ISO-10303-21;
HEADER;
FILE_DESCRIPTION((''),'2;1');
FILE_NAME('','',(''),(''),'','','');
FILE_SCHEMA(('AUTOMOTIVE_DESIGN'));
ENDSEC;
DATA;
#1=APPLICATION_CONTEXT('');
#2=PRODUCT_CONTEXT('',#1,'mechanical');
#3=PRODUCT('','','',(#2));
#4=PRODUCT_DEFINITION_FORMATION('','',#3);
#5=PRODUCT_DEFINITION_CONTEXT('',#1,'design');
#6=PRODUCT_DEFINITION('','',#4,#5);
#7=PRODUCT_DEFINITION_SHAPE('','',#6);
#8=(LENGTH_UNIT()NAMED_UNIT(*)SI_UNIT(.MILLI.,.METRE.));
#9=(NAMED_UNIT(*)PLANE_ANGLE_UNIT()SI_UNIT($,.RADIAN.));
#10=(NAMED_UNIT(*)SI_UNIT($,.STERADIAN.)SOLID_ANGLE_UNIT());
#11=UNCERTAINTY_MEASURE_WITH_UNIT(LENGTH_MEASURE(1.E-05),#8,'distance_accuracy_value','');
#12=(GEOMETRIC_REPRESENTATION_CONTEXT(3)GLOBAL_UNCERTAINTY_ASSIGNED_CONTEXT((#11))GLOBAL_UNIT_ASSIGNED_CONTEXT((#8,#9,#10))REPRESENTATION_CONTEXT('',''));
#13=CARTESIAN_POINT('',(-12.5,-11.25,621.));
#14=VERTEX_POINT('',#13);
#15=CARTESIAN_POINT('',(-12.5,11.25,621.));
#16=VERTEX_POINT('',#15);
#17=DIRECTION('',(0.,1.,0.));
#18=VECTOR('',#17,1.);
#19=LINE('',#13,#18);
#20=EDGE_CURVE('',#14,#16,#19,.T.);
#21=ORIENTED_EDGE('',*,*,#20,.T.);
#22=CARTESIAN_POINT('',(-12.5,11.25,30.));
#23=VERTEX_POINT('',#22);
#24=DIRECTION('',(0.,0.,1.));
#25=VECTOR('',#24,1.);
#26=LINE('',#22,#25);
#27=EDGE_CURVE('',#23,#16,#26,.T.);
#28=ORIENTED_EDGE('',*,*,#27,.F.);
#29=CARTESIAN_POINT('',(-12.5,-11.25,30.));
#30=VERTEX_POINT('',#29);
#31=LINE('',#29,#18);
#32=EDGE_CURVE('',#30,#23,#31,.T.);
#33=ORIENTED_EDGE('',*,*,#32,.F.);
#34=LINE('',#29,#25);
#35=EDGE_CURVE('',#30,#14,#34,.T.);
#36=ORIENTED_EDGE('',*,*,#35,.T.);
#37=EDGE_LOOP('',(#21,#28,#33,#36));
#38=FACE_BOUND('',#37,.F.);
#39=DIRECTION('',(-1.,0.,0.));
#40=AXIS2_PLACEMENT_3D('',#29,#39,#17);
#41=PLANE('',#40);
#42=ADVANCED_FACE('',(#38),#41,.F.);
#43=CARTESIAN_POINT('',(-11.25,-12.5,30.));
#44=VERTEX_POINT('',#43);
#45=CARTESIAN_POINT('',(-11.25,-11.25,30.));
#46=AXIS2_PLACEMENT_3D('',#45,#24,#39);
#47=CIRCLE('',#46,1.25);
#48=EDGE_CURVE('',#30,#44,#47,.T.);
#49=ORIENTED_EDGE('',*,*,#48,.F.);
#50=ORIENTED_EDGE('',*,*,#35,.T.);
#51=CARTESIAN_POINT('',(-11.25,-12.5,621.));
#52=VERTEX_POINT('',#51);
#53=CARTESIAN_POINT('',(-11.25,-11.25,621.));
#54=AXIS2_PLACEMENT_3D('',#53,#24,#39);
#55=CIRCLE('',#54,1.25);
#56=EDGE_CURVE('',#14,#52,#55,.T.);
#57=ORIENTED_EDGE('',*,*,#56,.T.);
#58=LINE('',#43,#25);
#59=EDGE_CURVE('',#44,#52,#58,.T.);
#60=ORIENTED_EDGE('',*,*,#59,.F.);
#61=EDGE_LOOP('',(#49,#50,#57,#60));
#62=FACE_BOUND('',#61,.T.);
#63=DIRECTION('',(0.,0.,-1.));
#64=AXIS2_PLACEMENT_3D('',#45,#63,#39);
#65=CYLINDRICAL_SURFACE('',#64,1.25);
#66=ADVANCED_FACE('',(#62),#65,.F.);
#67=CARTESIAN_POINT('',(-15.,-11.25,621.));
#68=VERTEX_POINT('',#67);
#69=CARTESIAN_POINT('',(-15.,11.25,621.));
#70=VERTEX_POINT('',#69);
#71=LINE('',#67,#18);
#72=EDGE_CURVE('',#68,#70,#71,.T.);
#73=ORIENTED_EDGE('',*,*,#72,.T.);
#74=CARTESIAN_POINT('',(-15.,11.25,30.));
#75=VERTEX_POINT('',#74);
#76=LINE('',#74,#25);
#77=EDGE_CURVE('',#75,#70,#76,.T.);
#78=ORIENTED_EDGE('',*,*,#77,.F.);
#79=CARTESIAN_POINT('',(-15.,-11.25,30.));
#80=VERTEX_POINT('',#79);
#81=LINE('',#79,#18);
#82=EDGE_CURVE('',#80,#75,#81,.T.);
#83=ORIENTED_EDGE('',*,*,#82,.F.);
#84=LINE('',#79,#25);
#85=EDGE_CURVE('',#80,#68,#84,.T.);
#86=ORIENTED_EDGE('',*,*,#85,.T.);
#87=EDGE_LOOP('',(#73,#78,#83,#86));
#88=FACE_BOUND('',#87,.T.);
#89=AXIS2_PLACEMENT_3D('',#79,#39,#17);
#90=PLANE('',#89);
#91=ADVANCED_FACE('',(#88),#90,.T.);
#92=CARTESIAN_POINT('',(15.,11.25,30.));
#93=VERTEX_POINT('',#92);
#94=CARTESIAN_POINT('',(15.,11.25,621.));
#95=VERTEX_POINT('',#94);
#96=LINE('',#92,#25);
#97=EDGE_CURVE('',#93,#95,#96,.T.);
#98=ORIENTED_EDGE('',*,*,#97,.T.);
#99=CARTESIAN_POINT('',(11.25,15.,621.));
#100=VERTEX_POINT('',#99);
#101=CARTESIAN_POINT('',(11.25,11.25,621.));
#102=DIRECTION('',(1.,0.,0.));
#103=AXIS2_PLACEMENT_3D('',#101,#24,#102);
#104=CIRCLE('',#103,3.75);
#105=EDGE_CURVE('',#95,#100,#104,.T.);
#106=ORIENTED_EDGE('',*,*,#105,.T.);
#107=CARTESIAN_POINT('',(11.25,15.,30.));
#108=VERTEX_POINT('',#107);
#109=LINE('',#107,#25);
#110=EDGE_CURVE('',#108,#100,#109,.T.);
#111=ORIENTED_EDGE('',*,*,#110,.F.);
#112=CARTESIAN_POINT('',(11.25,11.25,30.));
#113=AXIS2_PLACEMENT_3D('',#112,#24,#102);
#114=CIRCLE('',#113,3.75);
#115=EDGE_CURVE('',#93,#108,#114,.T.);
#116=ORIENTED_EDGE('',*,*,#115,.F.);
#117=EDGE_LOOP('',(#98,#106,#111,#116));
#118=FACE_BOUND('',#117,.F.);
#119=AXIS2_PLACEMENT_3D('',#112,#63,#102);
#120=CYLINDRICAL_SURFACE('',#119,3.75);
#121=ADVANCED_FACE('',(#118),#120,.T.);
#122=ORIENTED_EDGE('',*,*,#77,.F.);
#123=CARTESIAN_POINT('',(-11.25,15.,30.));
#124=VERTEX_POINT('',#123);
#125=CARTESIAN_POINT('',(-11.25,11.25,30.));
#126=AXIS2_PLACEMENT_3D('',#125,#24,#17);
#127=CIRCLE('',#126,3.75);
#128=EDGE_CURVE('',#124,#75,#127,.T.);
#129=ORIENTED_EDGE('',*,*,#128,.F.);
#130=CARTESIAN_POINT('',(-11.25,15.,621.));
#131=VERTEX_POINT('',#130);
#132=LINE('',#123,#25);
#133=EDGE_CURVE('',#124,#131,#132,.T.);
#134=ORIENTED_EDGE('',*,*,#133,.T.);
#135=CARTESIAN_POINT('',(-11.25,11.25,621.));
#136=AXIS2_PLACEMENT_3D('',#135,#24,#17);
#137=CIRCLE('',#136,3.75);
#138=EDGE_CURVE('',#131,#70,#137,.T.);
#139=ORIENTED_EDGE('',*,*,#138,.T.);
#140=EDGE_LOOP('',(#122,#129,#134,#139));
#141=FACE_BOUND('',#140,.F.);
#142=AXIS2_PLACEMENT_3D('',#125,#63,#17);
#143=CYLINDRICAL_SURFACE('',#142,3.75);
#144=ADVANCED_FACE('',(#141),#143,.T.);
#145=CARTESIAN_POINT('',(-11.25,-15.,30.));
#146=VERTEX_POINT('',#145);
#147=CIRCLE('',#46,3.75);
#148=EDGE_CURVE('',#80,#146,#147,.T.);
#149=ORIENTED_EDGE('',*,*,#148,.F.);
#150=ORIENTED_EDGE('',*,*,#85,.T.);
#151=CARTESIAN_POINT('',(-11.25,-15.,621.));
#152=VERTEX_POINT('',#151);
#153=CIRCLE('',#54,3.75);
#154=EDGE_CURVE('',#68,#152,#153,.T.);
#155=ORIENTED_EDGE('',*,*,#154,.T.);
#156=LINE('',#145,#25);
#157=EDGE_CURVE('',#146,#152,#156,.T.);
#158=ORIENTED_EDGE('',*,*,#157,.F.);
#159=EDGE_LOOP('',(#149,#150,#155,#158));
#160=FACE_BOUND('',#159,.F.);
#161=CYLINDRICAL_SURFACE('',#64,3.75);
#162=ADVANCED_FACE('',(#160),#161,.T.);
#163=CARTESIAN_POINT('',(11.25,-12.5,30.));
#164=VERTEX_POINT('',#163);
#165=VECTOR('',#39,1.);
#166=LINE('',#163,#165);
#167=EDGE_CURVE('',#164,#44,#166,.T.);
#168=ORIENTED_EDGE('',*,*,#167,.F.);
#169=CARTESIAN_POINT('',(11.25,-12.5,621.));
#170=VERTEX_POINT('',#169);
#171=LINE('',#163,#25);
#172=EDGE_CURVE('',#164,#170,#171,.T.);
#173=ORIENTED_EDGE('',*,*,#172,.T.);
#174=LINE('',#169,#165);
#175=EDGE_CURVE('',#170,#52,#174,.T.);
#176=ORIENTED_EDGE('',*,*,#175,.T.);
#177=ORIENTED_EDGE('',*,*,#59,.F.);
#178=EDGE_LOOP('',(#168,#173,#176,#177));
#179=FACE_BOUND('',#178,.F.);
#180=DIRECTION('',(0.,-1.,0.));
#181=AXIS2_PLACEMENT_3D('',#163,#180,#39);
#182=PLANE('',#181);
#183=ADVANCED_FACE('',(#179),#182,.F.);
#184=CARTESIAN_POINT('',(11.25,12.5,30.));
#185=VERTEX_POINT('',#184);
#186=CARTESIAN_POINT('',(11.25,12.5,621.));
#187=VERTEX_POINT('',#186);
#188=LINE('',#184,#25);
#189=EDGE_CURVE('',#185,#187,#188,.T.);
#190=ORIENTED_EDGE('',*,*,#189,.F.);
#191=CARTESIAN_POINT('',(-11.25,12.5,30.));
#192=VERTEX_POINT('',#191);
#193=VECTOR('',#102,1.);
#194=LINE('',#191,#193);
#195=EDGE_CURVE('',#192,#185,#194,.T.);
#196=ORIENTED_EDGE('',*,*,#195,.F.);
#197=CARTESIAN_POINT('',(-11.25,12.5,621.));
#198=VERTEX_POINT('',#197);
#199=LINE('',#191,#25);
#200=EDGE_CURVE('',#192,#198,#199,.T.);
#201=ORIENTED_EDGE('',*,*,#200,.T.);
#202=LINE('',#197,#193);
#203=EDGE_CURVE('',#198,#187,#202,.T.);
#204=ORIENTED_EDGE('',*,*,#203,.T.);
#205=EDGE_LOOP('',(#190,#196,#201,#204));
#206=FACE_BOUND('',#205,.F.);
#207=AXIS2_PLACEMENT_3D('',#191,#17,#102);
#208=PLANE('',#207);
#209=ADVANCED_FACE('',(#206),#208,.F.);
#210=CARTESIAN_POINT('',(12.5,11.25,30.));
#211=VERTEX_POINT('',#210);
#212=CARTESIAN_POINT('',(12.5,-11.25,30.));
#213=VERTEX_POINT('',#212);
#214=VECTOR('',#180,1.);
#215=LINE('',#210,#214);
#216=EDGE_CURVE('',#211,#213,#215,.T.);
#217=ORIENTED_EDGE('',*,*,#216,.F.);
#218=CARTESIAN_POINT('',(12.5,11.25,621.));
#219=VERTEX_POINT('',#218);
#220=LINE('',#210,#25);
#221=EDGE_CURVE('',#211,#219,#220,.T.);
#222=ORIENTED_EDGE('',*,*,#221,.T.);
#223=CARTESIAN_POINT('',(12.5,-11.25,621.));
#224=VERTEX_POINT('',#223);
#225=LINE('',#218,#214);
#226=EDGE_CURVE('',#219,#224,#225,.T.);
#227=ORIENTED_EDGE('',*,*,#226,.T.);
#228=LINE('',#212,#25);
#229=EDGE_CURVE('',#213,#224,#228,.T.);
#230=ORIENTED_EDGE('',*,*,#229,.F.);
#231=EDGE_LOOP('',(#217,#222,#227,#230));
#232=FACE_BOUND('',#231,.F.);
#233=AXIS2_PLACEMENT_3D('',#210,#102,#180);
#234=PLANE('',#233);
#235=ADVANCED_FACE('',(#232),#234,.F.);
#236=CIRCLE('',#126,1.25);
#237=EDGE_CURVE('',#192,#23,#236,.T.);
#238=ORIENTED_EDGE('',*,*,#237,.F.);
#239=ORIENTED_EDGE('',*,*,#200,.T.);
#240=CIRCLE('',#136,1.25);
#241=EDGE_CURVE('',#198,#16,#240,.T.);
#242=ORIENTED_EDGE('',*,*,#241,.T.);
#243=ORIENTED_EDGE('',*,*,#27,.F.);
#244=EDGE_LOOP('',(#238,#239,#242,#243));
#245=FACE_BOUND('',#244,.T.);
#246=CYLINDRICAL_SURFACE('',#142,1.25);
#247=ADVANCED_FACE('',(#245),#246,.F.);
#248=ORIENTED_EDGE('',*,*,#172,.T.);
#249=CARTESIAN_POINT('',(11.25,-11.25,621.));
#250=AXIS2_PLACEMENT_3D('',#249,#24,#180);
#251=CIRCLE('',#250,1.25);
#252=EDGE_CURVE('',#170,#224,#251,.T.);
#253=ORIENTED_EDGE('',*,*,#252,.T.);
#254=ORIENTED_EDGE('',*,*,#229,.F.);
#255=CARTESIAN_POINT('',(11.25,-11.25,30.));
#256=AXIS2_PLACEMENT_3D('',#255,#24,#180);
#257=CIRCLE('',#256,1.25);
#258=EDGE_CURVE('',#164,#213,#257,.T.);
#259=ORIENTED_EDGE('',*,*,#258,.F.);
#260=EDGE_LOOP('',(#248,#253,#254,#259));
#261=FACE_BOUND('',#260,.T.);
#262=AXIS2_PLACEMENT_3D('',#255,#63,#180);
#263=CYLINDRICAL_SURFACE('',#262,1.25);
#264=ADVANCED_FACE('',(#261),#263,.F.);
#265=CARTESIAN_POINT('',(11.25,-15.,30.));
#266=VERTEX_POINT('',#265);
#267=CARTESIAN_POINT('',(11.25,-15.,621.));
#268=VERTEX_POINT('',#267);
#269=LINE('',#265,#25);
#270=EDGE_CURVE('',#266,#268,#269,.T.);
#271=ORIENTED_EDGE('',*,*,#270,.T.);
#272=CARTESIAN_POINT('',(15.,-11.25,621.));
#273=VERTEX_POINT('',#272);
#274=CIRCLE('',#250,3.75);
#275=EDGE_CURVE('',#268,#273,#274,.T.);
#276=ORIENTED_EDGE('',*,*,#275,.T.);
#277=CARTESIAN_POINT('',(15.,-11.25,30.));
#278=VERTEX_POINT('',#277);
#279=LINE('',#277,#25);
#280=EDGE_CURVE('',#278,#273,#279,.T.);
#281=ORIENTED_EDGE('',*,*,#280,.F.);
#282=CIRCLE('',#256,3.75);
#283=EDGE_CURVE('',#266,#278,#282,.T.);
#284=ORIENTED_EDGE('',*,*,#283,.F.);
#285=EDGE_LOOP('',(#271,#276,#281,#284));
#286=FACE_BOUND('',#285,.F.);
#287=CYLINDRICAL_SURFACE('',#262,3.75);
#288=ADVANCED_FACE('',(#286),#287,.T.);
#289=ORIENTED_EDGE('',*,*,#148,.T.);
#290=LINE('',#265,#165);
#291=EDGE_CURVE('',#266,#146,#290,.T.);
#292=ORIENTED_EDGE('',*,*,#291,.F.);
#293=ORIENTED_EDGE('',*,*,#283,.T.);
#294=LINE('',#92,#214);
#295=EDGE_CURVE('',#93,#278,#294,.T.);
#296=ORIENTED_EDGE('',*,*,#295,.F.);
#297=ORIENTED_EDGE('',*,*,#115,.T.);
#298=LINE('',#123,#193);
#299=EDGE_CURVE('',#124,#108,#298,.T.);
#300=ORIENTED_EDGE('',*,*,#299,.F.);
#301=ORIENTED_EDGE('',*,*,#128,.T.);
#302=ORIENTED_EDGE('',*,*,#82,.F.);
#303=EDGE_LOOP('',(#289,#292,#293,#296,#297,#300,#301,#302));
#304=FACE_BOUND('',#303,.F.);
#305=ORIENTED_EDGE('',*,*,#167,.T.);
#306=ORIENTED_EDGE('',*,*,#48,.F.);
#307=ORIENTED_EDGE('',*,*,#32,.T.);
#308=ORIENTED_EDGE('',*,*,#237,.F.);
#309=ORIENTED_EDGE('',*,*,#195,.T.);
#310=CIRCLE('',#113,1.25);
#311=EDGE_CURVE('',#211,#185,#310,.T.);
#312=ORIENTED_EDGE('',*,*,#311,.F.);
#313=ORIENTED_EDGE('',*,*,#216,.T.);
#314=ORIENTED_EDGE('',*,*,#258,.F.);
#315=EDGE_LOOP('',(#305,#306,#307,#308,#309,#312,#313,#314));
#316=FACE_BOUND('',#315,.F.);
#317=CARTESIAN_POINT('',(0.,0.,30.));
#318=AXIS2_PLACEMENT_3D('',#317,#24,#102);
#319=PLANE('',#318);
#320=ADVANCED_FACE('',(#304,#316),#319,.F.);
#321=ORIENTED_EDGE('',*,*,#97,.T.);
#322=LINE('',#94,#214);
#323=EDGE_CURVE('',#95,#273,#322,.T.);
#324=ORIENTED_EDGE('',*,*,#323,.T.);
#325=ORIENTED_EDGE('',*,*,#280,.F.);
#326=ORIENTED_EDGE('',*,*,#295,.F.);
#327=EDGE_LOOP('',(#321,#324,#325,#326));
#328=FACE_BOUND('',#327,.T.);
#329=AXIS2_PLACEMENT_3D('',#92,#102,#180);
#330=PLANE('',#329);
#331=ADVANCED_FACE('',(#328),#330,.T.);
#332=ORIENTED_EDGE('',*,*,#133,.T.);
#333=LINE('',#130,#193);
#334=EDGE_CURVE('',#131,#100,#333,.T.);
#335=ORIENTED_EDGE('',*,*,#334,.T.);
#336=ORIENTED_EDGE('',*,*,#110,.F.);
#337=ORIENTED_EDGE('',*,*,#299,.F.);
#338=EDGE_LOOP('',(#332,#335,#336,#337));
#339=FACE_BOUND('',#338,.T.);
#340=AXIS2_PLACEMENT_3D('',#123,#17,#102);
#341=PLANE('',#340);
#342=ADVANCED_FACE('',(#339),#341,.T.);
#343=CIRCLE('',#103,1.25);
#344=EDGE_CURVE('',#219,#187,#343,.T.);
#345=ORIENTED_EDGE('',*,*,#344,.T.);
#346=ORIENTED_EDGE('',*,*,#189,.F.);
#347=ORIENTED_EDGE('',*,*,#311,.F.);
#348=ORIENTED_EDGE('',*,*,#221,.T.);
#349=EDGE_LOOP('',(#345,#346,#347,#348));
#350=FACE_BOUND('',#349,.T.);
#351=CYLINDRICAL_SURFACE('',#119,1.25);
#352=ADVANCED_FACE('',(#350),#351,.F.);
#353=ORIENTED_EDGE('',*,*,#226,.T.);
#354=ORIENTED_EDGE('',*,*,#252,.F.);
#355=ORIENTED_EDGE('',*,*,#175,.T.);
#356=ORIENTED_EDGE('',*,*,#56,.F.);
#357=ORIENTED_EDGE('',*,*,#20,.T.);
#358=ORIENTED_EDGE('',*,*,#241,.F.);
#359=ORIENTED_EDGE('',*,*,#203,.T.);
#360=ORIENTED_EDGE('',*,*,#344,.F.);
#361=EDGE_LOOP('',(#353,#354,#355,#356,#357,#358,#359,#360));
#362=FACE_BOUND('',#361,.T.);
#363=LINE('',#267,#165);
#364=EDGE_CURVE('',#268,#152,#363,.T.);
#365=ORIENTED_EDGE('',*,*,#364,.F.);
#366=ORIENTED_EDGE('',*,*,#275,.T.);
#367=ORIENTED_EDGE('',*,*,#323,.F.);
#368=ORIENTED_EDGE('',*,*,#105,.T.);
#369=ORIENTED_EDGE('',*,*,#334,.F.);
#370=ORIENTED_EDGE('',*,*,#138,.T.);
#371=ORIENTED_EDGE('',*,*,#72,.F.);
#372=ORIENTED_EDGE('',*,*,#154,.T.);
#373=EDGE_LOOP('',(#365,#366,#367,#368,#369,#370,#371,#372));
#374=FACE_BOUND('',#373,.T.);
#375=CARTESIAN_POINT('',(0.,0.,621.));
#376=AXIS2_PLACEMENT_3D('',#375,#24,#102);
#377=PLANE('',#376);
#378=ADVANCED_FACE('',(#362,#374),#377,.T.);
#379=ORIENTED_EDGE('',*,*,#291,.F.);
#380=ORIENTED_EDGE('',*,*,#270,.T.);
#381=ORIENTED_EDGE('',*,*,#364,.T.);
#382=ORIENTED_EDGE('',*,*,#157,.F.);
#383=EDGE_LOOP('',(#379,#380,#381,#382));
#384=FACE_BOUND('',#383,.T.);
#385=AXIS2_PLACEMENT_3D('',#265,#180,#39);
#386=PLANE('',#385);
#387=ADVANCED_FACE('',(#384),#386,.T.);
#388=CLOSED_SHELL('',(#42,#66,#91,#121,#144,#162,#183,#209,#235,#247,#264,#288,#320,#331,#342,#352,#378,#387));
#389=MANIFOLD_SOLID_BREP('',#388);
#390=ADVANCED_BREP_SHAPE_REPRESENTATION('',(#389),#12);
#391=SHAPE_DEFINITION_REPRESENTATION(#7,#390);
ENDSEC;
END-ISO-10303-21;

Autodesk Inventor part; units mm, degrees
ref_plane "Start plane" through (0, 0, 30) normal (0, 0, 1) x (1, 0, 0)
ref_plane "End plane" through (0, 0, 621) normal (0, 0, 1) x (1, 0, 0)
sketch "Sketch" plane through (0, 0, 0) normal (0, 0, 1) x (1, 0, 0)
  line L0 (-15, -11.25) -> (-15, 11.25)
  line L1 (-11.25, 15) -> (11.25, 15)
  line L2 (15, 11.25) -> (15, -11.25)
  line L3 (11.25, -15) -> (-11.25, -15)
  arc A0 (-15, -11.25) -> (-11.25, -15) centre (-11.25, -11.25) ccw
  arc A1 (-11.25, 15) -> (-15, 11.25) centre (-11.25, 11.25) ccw
  arc A2 (15, 11.25) -> (11.25, 15) centre (11.25, 11.25) ccw
  arc A3 (11.25, -15) -> (15, -11.25) centre (11.25, -11.25) ccw
  arc A4 (-11.25, 12.5) -> (-12.5, 11.25) centre (-11.25, 11.25) ccw
  line L4 (-11.25, 12.5) -> (11.25, 12.5)
  arc A5 (12.5, 11.25) -> (11.25, 12.5) centre (11.25, 11.25) ccw
  line L5 (12.5, 11.25) -> (12.5, -11.25)
  arc A6 (11.25, -12.5) -> (12.5, -11.25) centre (11.25, -11.25) ccw
  line L6 (11.25, -12.5) -> (-11.25, -12.5)
  arc A7 (-12.5, -11.25) -> (-11.25, -12.5) centre (-11.25, -11.25) ccw
  line L7 (-12.5, -11.25) -> (-12.5, 11.25)
  line L8 (0, 22.0873) -> (0, -22.0873) construction
  line L9 (-22.0873, 0) -> (22.0873, 0) construction
  dimension "d7" = 3.75
  dimension "d10" = 30
  dimension "d11" = 30
  dimension "d12" = 2.5
  dimension "d15" = 15
  dimension "d16" = 15
extrude "Body" add sketch "Sketch" along normal up to surface (591 mm away) from surface at 30
sketch "Sketch3" plane through (0, 0, 0) normal (0, 0, 1) x (1, 0, 0)
  line L0 (0, 0) -> (10, 0)
ref_plane "Work Plane3" through (0, 0, 0) normal (0, -1, 0) x (1, 0, 0)
sketch "Sketch4" plane through (0, 0, 0) normal (0, -1, 0) x (1, 0, 0)
  line L0 (-2, 30) -> (12, 30)
  line L1 (-2, 621) -> (12, 621)
  dimension "d18" = 591
ref_plane "Work Plane5" through (1238.8, 45, 30) normal (0, 0, -1) x (-1, 0, 0)
split "Split2" plane through (1238.8, 45, 30) removes the side toward (0, 0, -1)
ref_plane "Work Plane6" through (1297, -11.25, 621) normal (0, 0, 1) x (1, 0, 0)
split "Split3" plane through (1297, -11.25, 621) removes the side toward (0, 0, 1)
equation "\"d7\" = G_IR"
equation "\"d10\" = G_H"
equation "\"d11\" = G_W"
equation "\"d12\" = G_T"
equation "\"d15\" = 0.5 * d10"
equation "\"d16\" = 0.5 * d11"
equation "\"d3\" = G_L"
equation "\"G_W\" = 30"
equation "\"G_H\" = 30"
equation "\"G_T\" = 2.5"
equation "\"G_IR\" = 3.75"
equation "\"G_L\" = d18"
equation "\"d14\" = G_OFFSET_END + B_L"
equation "\"B_L\" = 651"
equation "\"G_OFFSET_END\" = -30"
properties part number "DIN EN 10305-5 - 30 x 30 x 2,5  - 591" material "Steel, Mild"
